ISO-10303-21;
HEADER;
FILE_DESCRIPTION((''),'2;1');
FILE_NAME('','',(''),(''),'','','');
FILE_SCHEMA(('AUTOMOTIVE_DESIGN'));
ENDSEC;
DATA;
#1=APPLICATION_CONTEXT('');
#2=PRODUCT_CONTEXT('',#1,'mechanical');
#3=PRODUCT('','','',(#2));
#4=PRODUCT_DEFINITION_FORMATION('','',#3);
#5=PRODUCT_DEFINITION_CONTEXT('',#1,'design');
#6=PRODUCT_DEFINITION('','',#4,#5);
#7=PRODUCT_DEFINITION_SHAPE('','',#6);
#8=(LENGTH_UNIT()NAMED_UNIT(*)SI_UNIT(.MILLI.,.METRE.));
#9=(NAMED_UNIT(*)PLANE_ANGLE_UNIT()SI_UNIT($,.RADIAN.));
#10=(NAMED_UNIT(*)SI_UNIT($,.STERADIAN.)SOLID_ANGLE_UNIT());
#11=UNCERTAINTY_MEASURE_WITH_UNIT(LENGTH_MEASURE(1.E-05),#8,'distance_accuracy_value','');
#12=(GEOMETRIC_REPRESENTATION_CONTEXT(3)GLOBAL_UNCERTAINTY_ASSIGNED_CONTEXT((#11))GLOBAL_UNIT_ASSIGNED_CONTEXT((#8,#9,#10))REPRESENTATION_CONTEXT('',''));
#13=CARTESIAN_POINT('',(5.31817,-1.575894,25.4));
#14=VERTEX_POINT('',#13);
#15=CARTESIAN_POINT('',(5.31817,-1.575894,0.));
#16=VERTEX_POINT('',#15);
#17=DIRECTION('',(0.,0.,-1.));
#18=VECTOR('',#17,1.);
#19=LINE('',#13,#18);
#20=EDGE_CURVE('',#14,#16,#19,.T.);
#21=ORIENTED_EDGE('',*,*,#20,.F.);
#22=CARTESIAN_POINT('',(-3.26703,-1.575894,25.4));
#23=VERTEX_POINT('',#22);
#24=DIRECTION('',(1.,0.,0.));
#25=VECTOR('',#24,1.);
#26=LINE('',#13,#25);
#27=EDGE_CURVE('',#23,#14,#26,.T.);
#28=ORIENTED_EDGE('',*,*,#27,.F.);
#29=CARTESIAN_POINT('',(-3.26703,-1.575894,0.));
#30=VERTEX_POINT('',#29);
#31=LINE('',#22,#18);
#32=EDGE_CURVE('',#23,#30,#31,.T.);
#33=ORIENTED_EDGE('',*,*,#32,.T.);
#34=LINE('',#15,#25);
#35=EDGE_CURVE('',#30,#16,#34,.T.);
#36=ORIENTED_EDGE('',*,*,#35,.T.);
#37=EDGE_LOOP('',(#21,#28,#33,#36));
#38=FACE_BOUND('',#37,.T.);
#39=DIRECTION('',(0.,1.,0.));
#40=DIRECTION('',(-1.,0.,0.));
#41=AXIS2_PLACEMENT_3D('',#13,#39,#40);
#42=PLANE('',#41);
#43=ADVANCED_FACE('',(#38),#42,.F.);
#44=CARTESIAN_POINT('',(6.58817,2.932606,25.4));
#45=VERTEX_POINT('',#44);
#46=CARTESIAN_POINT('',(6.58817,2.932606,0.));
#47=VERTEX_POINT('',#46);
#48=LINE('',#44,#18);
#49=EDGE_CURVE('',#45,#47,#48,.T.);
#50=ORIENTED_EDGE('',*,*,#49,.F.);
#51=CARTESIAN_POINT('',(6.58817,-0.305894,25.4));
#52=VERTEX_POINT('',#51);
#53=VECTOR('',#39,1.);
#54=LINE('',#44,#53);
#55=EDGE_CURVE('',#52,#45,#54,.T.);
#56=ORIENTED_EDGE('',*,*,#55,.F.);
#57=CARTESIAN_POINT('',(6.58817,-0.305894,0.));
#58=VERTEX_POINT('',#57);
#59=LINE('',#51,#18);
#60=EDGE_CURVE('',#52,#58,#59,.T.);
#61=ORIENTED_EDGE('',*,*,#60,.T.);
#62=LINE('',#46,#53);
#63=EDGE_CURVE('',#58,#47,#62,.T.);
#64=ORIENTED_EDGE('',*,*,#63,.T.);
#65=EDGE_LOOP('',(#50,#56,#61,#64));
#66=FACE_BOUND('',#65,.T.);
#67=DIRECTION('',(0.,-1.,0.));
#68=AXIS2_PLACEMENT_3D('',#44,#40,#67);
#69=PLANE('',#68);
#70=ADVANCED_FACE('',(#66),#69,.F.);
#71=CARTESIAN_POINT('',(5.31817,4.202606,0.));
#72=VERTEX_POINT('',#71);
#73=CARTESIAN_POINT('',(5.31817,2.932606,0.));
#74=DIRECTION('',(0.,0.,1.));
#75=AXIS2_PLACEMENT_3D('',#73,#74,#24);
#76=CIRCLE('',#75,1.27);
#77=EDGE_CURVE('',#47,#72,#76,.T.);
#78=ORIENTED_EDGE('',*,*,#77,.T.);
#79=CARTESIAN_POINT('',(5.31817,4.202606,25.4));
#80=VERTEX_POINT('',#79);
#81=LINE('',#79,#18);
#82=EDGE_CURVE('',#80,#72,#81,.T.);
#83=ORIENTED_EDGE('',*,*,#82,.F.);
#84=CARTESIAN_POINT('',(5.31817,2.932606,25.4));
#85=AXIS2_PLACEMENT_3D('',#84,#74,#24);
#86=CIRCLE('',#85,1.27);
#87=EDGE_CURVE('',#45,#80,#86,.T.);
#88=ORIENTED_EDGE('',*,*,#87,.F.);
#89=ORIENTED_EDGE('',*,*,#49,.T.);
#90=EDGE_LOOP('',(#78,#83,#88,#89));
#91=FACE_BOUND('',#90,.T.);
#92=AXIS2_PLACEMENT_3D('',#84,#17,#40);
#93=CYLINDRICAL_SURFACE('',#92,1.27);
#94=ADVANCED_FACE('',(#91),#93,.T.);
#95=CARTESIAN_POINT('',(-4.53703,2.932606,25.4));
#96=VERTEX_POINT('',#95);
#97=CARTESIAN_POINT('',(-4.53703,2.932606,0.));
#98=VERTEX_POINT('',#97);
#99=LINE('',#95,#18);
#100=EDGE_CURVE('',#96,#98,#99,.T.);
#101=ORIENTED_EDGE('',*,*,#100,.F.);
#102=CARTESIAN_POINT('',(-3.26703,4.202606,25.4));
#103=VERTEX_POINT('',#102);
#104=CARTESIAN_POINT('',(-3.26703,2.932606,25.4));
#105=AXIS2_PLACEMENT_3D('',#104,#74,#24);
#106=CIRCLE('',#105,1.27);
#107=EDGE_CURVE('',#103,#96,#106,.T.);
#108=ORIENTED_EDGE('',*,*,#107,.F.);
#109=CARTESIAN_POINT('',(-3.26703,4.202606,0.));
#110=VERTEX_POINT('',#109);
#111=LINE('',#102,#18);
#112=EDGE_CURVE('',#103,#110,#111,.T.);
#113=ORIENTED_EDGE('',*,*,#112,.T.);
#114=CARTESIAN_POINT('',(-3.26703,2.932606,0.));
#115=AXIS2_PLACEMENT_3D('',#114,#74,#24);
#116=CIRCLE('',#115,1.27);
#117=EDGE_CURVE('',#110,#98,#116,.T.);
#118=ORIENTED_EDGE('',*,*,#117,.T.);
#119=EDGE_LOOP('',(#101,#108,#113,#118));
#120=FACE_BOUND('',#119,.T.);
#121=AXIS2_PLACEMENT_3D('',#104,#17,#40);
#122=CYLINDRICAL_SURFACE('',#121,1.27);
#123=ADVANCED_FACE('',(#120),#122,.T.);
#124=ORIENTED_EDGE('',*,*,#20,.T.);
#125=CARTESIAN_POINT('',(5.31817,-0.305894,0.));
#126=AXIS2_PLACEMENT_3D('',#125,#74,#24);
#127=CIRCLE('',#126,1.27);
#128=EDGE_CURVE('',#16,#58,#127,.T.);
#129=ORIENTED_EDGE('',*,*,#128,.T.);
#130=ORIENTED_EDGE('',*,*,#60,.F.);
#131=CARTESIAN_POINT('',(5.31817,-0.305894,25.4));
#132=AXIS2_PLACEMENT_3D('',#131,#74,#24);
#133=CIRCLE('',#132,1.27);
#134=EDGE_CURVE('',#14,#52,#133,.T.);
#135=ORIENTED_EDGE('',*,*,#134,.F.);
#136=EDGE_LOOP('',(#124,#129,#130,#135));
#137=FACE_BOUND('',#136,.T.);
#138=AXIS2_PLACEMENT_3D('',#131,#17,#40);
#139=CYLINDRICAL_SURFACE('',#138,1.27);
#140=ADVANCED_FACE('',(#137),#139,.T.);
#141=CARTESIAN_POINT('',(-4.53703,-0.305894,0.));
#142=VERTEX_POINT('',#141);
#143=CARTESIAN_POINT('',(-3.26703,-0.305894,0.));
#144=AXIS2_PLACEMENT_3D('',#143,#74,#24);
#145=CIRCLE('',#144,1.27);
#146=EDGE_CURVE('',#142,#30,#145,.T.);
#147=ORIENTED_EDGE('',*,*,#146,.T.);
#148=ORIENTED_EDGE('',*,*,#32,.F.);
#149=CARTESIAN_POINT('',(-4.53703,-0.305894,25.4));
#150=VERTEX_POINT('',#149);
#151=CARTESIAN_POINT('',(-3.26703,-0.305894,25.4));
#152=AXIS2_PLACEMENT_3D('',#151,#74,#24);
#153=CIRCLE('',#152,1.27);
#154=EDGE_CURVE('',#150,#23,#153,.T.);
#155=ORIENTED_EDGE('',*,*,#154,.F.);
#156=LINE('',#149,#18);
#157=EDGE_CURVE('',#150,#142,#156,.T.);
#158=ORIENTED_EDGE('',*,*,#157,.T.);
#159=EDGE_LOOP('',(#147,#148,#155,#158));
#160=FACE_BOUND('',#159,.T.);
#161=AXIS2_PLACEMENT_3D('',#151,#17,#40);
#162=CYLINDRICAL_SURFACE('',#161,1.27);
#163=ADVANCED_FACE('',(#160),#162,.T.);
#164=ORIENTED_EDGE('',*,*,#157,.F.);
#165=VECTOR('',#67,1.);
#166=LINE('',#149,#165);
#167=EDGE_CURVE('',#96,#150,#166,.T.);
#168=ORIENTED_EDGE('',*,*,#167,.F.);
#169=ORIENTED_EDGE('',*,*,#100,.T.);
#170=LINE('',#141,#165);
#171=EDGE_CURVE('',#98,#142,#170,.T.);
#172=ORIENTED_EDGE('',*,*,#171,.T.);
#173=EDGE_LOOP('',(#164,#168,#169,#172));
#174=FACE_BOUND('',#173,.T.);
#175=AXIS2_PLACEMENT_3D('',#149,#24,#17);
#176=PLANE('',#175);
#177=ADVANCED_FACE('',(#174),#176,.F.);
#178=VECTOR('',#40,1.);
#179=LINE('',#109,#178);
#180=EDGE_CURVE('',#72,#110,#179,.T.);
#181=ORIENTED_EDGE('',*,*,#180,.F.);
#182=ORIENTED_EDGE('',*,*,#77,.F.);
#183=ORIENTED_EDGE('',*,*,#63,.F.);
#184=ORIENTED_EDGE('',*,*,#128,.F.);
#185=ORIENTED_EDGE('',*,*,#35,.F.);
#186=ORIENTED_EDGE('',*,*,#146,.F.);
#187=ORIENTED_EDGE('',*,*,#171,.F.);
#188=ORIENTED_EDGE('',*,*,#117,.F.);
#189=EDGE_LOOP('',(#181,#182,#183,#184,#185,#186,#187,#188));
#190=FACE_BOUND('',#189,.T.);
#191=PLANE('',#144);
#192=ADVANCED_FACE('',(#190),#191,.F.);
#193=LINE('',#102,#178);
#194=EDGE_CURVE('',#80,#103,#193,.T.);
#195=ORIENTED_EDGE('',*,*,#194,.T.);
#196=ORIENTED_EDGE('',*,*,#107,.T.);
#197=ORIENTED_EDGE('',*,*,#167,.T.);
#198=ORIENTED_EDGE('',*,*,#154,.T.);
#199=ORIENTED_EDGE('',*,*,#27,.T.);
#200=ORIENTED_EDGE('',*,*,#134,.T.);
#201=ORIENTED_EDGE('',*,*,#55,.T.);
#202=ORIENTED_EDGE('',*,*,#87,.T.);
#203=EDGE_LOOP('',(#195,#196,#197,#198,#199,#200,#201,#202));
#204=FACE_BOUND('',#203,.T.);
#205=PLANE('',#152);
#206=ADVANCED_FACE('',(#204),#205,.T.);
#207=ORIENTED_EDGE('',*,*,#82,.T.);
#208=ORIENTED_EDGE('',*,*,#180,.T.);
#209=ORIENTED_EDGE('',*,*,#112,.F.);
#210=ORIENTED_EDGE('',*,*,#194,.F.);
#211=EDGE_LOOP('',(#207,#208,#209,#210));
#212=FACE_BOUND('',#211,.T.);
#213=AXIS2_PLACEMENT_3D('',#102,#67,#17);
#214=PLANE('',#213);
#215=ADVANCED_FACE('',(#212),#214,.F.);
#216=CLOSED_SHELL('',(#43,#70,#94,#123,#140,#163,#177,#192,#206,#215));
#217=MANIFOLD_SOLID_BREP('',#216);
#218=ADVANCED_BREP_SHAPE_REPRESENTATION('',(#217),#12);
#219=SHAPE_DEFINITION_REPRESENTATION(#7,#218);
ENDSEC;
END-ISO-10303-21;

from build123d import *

# Parameters (mm, degrees)
BOSS_EXTRUDE1_DEPTH = 25.4


with BuildPart() as part:
    # Sketch1 → Boss-Extrude1 (new body)
    with BuildSketch(Plane.XY):
        with BuildLine():
            Line((-3.267030461, 4.202605611), (5.318169539, 4.202605611))
            ThreePointArc((5.318169539, 4.202605611), (6.216195151, 3.830631223), (6.588169539, 2.932605611))
            Line((6.588169539, 2.932605611), (6.588169539, -0.305894389))
            ThreePointArc((6.588169539, -0.305894389), (6.216195151, -1.203920001), (5.318169539, -1.575894389))
            Line((5.318169539, -1.575894389), (-3.267030461, -1.575894389))
            ThreePointArc((-3.267030461, -1.575894389), (-4.165056073, -1.203920001), (-4.537030461, -0.305894389))
            Line((-4.537030461, -0.305894389), (-4.537030461, 2.932605611))
            ThreePointArc((-4.537030461, 2.932605611), (-4.165056073, 3.830631223), (-3.267030461, 4.202605611))
        make_face()
    extrude(amount=BOSS_EXTRUDE1_DEPTH)


solid = part.part
